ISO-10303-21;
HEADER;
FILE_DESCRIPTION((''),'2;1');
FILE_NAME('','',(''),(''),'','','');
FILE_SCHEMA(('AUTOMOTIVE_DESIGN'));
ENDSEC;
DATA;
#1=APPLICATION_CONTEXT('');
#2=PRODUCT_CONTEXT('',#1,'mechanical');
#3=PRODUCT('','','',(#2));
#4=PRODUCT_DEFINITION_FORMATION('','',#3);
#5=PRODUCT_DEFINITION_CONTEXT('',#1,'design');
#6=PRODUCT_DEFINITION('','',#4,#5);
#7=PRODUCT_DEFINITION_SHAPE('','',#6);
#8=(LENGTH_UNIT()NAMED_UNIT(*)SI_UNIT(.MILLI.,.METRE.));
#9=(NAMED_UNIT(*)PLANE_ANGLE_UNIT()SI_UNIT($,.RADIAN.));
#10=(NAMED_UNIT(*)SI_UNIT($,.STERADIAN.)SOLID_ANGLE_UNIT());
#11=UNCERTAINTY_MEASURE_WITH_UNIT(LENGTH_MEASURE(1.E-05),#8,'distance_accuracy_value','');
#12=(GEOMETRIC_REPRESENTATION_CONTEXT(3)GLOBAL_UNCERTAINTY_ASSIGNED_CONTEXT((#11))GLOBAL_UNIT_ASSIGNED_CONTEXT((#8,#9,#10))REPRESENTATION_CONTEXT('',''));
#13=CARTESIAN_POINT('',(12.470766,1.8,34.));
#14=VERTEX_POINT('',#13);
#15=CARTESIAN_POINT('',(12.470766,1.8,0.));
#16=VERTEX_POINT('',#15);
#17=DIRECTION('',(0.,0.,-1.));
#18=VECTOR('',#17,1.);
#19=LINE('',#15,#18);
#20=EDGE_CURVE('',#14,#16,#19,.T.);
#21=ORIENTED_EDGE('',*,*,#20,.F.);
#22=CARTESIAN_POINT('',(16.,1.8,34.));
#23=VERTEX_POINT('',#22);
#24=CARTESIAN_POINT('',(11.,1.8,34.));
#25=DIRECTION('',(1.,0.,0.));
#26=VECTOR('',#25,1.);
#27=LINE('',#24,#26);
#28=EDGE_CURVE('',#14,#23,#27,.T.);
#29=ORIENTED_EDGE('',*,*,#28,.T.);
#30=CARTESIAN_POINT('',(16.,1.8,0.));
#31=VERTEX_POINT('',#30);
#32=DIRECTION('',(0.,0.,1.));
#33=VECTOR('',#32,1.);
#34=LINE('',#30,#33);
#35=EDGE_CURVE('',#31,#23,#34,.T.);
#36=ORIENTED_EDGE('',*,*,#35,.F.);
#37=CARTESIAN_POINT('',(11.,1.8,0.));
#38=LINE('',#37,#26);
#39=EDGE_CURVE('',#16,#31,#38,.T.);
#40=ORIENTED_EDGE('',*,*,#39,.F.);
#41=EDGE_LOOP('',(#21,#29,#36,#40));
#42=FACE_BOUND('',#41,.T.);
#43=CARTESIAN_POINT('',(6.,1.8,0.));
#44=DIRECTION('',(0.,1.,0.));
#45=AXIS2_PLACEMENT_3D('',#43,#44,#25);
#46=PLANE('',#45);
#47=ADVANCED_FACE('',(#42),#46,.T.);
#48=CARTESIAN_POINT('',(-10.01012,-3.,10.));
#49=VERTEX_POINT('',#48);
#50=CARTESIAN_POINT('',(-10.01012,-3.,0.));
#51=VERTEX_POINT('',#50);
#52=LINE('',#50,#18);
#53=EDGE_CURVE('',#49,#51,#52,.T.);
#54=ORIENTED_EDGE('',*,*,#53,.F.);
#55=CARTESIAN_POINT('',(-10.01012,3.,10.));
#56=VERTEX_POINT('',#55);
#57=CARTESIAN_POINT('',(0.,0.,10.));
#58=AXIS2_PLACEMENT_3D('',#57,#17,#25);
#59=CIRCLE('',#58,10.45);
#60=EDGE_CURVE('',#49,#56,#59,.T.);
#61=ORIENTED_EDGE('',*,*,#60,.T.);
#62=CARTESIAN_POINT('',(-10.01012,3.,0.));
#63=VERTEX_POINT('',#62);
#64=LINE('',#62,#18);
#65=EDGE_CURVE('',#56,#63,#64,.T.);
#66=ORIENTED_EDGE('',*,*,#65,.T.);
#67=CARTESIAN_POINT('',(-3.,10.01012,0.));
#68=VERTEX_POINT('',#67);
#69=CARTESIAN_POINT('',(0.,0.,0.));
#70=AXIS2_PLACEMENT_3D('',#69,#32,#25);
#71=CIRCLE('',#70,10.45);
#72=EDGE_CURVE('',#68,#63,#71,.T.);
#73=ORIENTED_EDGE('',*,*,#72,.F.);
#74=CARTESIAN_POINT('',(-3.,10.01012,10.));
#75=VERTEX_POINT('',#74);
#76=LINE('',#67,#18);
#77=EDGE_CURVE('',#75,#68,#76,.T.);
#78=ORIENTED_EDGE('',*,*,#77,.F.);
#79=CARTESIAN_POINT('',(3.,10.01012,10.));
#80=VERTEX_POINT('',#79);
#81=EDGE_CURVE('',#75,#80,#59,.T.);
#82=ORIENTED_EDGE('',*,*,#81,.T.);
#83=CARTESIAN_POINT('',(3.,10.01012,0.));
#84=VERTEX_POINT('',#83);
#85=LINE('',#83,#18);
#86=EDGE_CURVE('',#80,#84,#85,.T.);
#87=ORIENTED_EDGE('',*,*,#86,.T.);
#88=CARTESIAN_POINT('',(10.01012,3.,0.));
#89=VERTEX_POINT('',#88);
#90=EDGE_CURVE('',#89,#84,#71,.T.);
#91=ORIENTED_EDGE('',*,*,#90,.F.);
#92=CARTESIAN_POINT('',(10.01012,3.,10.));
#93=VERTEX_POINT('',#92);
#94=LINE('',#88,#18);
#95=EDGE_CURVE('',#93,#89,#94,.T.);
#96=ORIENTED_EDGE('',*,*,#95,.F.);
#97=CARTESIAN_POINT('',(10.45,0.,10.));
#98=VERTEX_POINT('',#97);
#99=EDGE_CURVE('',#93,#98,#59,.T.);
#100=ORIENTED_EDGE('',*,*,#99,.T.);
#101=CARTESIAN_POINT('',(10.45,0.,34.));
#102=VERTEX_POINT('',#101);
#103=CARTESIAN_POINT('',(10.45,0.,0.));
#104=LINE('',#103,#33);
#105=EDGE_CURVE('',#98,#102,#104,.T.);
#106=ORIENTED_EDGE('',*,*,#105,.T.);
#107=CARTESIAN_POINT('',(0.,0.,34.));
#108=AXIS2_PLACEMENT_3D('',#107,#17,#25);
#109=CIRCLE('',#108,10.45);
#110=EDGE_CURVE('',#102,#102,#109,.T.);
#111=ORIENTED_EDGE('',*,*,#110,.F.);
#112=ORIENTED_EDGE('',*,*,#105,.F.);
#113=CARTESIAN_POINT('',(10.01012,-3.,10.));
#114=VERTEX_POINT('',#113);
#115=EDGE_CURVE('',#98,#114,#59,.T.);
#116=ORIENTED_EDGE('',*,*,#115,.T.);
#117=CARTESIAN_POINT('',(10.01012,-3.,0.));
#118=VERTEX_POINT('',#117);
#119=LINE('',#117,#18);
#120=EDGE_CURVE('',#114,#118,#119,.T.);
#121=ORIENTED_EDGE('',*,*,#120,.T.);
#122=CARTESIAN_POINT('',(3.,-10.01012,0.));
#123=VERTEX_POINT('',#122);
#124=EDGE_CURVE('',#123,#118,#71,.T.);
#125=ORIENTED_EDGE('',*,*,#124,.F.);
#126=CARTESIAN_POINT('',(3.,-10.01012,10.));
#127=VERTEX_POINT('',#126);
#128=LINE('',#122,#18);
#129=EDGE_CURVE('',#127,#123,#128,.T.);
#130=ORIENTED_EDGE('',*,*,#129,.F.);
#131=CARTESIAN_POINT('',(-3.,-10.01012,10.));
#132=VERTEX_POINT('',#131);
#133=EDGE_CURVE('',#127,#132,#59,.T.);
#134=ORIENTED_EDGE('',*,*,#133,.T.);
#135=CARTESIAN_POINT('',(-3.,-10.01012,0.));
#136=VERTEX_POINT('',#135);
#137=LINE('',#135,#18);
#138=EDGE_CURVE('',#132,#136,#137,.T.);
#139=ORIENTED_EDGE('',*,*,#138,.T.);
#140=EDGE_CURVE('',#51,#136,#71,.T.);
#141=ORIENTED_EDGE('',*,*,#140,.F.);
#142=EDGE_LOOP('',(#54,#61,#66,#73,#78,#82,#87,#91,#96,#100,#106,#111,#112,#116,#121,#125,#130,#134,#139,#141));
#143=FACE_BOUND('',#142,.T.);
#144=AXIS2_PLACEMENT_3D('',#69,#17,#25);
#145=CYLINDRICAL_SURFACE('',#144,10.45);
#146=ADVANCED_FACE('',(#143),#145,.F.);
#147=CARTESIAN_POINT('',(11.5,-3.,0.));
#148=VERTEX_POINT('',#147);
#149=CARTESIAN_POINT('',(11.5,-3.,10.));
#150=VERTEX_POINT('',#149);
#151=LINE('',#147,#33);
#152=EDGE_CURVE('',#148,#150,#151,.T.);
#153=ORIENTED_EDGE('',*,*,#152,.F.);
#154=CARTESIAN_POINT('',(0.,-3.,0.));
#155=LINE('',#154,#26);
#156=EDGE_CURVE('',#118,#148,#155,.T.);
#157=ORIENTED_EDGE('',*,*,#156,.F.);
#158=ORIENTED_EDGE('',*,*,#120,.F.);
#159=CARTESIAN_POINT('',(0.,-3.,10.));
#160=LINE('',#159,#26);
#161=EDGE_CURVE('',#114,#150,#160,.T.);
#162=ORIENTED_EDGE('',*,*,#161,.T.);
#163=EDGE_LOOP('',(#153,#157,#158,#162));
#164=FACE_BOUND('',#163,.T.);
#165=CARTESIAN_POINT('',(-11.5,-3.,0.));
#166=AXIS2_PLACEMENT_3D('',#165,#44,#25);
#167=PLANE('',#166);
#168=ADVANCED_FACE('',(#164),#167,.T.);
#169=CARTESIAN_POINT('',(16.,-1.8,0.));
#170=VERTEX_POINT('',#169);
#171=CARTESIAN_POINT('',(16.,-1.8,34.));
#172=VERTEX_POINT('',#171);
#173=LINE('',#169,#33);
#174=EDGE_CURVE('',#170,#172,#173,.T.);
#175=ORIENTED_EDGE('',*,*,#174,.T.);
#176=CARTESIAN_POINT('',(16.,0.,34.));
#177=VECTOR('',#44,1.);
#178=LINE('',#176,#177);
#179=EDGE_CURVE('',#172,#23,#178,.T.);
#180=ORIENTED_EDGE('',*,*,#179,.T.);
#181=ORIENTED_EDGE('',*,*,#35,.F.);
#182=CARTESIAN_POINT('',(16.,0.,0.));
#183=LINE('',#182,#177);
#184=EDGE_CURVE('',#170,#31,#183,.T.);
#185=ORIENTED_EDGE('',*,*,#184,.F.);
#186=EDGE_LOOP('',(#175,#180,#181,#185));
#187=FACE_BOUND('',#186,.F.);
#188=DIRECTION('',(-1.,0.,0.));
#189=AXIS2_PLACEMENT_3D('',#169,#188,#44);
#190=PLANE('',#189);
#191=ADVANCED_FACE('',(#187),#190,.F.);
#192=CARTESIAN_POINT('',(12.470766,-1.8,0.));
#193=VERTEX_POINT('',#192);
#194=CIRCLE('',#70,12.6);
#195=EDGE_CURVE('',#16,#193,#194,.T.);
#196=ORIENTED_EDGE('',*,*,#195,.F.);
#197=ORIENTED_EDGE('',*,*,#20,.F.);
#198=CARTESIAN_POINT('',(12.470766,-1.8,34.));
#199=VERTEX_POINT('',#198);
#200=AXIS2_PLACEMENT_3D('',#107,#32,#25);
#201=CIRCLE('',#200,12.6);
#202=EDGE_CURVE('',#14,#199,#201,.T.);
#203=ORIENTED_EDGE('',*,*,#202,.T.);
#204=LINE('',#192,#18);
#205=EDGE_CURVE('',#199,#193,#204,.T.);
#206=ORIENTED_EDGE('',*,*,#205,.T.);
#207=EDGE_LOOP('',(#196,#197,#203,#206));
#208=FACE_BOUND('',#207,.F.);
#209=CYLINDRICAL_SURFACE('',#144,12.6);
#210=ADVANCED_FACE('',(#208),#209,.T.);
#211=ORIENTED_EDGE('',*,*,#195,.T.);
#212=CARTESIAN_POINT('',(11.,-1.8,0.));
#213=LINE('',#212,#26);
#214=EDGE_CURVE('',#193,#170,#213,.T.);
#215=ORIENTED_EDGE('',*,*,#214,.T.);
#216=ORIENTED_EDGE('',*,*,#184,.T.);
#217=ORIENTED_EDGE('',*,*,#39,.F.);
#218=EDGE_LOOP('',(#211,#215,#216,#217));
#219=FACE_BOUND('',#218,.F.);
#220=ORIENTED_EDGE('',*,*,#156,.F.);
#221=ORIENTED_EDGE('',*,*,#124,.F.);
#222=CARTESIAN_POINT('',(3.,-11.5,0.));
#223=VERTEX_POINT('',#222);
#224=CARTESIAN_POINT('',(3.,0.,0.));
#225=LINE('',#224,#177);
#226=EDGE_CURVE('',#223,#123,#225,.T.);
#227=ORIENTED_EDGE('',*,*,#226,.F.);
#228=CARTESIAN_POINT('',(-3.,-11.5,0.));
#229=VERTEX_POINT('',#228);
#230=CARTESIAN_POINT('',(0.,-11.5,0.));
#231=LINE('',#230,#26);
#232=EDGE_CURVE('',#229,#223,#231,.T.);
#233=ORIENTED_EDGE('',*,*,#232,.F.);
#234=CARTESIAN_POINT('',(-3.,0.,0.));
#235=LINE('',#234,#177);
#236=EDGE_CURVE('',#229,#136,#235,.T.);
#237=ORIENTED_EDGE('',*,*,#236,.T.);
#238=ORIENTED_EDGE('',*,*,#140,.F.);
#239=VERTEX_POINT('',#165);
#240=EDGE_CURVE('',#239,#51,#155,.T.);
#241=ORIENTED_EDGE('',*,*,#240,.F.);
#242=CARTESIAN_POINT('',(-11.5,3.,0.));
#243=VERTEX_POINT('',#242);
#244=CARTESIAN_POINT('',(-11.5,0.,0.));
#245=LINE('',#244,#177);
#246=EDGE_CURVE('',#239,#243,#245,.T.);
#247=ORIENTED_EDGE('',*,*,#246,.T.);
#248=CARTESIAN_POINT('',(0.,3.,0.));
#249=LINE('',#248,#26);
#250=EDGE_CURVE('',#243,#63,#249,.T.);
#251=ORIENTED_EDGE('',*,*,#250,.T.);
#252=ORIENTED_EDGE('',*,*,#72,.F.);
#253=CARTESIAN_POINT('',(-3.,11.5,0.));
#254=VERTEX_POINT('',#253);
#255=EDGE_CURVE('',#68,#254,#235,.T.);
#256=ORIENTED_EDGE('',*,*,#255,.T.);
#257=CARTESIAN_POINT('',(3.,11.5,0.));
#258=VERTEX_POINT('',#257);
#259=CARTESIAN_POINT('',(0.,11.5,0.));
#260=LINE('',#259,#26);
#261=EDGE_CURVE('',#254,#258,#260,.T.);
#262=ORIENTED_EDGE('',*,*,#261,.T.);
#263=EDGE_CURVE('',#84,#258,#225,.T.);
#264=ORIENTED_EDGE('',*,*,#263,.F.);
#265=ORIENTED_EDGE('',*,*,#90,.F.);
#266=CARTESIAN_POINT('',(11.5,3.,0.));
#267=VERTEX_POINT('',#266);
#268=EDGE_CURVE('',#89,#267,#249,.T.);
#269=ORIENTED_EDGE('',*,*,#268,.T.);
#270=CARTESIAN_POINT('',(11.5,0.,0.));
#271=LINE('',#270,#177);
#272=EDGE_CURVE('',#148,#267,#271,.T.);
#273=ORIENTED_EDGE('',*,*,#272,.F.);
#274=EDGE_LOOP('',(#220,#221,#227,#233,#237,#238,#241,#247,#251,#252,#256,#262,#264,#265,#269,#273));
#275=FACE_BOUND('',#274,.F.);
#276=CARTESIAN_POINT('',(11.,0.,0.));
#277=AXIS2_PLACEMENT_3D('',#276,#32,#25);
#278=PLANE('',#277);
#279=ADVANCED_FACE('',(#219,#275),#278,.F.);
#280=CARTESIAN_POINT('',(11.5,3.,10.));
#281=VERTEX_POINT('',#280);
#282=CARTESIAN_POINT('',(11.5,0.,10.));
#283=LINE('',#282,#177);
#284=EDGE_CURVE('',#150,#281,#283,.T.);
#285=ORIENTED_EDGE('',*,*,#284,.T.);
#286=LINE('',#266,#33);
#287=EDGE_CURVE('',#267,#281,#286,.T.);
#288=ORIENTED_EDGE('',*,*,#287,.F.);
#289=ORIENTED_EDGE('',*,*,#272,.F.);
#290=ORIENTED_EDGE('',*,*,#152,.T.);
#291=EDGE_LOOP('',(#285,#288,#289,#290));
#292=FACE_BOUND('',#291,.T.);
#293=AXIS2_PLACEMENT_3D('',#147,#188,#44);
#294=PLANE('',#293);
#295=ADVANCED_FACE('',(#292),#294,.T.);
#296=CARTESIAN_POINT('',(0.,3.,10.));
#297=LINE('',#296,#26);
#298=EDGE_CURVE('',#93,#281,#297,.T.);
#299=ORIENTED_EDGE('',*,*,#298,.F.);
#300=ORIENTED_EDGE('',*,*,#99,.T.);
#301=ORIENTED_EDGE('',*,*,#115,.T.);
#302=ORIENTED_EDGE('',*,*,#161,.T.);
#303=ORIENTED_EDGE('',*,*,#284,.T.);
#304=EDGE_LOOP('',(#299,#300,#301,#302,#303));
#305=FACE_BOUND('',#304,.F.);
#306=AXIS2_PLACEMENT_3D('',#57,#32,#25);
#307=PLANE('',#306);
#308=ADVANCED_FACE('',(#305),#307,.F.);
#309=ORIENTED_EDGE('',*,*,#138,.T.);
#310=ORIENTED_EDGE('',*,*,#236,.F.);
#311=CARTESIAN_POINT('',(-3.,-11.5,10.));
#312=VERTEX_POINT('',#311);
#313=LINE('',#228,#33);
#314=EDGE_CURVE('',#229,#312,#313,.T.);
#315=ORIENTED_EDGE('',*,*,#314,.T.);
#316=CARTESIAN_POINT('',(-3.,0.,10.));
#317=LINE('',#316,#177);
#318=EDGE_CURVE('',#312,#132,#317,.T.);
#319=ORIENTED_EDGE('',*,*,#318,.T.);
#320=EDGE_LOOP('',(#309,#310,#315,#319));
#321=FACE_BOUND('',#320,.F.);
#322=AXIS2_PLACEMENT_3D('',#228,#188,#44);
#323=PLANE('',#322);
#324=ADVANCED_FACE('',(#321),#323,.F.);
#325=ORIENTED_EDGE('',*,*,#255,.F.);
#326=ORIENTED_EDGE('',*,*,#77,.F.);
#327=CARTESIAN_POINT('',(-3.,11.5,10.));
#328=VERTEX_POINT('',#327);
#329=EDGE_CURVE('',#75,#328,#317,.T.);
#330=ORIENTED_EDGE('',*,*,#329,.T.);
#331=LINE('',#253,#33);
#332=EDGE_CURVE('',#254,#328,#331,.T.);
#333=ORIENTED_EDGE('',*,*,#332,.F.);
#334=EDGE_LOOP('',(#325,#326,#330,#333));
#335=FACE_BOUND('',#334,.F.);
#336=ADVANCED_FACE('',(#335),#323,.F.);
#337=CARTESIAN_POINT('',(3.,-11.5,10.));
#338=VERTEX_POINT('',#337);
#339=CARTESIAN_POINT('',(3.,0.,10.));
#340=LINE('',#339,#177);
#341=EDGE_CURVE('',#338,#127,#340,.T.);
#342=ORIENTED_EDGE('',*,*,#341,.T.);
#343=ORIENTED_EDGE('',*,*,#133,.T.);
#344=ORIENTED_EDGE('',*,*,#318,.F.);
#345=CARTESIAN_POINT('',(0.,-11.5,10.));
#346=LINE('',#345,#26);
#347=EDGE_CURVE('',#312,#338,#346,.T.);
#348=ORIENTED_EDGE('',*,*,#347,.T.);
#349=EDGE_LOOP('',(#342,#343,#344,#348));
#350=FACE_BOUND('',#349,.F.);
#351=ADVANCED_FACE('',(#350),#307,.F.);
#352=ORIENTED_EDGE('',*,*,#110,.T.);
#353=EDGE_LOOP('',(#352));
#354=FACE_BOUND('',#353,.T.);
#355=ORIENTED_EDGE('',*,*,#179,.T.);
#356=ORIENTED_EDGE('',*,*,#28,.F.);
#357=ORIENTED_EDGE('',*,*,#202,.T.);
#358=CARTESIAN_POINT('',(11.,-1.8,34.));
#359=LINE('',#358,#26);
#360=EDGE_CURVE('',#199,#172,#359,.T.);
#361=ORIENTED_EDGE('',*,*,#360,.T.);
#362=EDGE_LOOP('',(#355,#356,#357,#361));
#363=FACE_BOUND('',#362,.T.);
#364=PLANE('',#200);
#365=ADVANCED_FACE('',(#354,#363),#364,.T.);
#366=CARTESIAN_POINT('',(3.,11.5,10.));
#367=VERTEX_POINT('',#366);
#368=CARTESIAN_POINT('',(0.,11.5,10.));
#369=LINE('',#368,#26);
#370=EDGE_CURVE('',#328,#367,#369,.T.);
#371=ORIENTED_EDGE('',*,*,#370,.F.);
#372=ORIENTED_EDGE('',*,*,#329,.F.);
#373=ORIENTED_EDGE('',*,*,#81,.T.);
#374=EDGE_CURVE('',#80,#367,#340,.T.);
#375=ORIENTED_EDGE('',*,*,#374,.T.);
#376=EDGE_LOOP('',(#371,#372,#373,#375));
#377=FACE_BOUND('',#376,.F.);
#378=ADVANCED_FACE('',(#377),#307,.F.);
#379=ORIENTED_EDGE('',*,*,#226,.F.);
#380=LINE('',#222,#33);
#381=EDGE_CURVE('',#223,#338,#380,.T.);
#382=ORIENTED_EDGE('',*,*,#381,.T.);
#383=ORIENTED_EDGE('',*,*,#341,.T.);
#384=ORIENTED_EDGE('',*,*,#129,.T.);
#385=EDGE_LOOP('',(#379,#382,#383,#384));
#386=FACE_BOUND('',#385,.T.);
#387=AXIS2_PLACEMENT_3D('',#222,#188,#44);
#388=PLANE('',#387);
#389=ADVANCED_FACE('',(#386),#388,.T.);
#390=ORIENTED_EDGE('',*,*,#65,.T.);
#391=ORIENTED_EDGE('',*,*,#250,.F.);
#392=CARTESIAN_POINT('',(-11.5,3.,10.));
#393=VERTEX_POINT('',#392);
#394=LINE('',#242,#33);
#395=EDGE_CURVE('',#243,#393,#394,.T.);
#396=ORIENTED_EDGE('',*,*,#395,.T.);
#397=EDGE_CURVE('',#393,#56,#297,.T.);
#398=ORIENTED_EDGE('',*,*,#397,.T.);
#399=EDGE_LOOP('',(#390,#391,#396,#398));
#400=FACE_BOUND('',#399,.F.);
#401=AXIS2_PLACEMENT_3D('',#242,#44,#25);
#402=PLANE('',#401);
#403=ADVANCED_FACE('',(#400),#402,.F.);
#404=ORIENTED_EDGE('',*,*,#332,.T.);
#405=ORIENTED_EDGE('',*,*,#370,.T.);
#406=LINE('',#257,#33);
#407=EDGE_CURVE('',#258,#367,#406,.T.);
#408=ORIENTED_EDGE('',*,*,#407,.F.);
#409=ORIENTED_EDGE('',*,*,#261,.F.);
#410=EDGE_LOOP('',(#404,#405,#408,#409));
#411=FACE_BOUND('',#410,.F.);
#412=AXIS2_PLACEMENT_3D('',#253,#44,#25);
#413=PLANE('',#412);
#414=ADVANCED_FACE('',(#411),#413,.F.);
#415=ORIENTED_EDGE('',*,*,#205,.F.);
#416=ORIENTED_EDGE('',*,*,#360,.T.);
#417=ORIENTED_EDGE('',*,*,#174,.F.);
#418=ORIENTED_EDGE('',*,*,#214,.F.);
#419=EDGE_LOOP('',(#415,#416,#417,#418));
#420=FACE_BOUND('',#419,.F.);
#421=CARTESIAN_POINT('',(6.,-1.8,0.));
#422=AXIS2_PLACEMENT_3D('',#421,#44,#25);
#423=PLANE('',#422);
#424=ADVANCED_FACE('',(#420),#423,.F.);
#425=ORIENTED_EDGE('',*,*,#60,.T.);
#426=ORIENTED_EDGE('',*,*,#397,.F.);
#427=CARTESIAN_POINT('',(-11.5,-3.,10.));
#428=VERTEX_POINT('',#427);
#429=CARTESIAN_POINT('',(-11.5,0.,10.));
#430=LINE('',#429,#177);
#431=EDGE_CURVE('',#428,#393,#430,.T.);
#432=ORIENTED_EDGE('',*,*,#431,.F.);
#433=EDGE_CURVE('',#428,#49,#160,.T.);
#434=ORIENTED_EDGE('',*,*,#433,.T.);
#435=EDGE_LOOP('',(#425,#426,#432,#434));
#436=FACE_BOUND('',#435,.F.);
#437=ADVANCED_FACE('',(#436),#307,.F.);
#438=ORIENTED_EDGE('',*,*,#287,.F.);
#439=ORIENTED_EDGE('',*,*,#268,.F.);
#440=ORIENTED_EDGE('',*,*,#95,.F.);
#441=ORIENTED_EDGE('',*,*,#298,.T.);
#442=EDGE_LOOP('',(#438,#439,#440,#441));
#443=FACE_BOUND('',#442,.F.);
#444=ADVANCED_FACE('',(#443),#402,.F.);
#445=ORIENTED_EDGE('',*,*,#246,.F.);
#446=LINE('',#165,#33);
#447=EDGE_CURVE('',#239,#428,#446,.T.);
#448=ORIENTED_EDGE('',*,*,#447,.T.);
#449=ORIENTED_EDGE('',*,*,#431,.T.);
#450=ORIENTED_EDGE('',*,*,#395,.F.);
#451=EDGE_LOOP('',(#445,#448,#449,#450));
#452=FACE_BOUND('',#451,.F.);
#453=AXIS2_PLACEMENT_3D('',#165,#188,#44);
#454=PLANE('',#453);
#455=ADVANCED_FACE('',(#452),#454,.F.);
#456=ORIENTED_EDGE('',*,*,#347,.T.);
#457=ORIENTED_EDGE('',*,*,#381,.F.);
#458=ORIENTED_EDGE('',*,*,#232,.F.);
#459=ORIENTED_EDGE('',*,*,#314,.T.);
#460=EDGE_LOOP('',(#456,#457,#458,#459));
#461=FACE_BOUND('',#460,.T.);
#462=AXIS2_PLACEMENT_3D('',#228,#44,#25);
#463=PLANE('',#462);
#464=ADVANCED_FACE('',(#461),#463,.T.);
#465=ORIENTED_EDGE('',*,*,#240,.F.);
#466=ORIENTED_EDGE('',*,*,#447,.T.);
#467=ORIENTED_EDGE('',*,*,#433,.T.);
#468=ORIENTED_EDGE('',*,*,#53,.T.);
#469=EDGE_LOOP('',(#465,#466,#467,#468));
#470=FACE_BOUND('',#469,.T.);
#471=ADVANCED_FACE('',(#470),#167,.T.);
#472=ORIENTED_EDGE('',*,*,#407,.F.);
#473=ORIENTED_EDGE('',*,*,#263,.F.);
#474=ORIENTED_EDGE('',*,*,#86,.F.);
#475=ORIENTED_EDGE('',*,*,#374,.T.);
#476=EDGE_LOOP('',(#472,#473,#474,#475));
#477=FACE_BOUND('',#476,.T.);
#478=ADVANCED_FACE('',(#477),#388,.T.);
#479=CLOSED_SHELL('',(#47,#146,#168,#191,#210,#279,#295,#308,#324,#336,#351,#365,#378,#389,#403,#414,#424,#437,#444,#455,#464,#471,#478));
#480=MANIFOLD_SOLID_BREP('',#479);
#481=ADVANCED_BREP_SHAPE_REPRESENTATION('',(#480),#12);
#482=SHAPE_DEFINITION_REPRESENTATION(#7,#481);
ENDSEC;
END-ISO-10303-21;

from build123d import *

# Parameters (mm, degrees)
BOX001_W          = 23
BOX001_H          = 6
BOX001_DEPTH      = 10
BOX002_W          = 6
BOX002_H          = 23
BOX002_DEPTH      = 10
CYLINDER001_R     = 10.45
CYLINDER001_DEPTH = 100
CYLINDER_R        = 12.6
CYLINDER_DEPTH    = 34
BOX_W             = 10
BOX_H             = 3.6
BOX_DEPTH         = 34


with BuildPart() as cube:
    # Box001 → Box001 (new body)
    with BuildSketch(Plane(origin=(-11.5, -3, 0), x_dir=(1, 0, 0), z_dir=(0, 0, 1))):
        with Locations((11.5, 3)):
            Rectangle(BOX001_W, BOX001_H)
    extrude(amount=BOX001_DEPTH)


with BuildPart() as cube001:
    # Box002 → Box002 (new body)
    with BuildSketch(Plane(origin=(-3, -11.5, 0), x_dir=(1, 0, 0), z_dir=(0, 0, 1))):
        with Locations((3, 11.5)):
            Rectangle(BOX002_W, BOX002_H)
    extrude(amount=BOX002_DEPTH)


with BuildPart() as cylinder:
    # Cylinder001 → Cylinder001 (new body)
    with BuildSketch(Plane.XY):
        Circle(CYLINDER001_R)
    extrude(amount=CYLINDER001_DEPTH)


with BuildPart() as outside:
    # Cylinder → Cylinder (new body)
    with BuildSketch(Plane.XY):
        Circle(CYLINDER_R)
    extrude(amount=CYLINDER_DEPTH)


with BuildPart() as final:
    # Box → Box (new body)
    with BuildSketch(Plane(origin=(6, -1.8, 0), x_dir=(1, 0, 0), z_dir=(0, 0, 1))):
        with Locations((5, 1.8)):
            Rectangle(BOX_W, BOX_H)
    extrude(amount=BOX_DEPTH)

    # Fusion: union Outside
    add(outside.part)

    # Cut: cut Cylinder
    add(cylinder.part, mode=Mode.SUBTRACT)

    # Cut001: cut Cube001
    add(cube001.part, mode=Mode.SUBTRACT)

    # Cut002: cut Cube
    add(cube.part, mode=Mode.SUBTRACT)


solid = final.part
